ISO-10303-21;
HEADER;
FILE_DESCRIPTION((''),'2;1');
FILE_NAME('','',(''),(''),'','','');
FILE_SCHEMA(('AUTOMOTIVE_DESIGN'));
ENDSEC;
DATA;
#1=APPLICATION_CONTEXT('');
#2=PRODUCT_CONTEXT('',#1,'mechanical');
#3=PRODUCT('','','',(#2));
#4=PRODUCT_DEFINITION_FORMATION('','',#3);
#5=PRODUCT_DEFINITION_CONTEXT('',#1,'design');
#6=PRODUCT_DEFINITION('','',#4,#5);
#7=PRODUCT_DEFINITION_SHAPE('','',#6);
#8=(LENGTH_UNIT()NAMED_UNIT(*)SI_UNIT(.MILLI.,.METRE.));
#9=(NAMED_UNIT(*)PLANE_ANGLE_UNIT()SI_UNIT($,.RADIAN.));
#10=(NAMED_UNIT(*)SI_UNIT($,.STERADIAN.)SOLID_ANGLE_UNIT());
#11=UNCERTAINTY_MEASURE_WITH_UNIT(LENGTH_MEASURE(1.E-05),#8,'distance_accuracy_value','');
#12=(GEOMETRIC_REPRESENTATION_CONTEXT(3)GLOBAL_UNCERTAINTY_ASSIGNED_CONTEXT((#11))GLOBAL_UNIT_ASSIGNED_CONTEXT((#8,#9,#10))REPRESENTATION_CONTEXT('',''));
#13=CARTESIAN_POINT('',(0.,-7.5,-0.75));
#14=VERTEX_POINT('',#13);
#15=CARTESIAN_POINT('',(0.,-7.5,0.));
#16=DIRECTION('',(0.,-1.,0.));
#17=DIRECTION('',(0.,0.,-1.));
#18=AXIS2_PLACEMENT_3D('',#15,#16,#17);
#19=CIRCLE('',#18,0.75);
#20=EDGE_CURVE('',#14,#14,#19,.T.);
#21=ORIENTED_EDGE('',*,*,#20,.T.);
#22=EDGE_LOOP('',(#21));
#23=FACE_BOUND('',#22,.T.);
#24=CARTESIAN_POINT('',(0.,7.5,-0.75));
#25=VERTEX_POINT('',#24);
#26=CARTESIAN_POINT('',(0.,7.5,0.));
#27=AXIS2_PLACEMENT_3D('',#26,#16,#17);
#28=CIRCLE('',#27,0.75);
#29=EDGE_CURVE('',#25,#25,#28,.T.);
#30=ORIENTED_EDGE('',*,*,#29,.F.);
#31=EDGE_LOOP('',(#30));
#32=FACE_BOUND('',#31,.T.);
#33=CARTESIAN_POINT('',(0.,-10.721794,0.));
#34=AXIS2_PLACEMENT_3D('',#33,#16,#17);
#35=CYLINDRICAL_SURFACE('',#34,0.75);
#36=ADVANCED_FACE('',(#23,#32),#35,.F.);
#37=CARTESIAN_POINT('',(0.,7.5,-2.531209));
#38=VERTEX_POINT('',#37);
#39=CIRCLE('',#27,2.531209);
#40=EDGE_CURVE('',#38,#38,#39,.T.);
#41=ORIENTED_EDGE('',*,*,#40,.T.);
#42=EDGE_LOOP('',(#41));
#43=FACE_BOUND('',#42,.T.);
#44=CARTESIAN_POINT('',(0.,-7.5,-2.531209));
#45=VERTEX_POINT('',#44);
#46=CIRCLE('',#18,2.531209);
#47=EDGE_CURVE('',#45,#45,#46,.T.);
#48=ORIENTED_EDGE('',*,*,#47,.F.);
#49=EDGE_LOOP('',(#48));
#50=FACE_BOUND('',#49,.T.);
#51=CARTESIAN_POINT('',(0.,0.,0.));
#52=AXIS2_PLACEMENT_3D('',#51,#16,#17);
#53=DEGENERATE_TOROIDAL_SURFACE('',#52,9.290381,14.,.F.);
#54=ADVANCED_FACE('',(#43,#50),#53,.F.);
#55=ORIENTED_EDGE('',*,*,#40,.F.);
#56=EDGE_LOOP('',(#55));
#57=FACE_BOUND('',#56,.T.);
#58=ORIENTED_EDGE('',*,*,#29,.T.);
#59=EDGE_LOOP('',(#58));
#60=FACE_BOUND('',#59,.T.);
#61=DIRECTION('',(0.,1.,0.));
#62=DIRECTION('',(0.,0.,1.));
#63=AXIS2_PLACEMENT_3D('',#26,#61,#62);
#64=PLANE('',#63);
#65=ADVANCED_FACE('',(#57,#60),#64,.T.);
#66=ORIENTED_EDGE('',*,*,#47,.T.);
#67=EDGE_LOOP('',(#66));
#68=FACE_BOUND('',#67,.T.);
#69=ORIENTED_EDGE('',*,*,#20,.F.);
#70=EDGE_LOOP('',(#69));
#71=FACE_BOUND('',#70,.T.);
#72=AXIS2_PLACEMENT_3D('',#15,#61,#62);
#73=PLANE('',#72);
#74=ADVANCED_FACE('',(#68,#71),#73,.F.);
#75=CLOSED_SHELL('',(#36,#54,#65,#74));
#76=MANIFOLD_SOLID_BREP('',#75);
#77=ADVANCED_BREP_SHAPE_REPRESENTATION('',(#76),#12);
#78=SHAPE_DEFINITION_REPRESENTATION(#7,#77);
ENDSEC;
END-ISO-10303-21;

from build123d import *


with BuildPart() as part:
    # Sketch1 → Revolve1 (revolve)
    with BuildSketch(Plane.XY, mode=Mode.PRIVATE) as revolve1_sk:
        with BuildLine():
            Line((-0.75, 7.5), (-2.531209361, 7.5))
            ThreePointArc((-2.531209361, 7.5), (-4.709618943, 0), (-2.531209361, -7.5))
            Line((-2.531209361, -7.5), (-0.75, -7.5))
            Line((-0.75, -7.5), (-0.75, 7.5))
        make_face()
    revolve(revolve1_sk.sketch.rotate(Axis((0, -10.721793516, 0), (0, 1, 0)), 270), axis=Axis((0, -10.721793516, 0), (0, 1, 0)))


solid = part.part
